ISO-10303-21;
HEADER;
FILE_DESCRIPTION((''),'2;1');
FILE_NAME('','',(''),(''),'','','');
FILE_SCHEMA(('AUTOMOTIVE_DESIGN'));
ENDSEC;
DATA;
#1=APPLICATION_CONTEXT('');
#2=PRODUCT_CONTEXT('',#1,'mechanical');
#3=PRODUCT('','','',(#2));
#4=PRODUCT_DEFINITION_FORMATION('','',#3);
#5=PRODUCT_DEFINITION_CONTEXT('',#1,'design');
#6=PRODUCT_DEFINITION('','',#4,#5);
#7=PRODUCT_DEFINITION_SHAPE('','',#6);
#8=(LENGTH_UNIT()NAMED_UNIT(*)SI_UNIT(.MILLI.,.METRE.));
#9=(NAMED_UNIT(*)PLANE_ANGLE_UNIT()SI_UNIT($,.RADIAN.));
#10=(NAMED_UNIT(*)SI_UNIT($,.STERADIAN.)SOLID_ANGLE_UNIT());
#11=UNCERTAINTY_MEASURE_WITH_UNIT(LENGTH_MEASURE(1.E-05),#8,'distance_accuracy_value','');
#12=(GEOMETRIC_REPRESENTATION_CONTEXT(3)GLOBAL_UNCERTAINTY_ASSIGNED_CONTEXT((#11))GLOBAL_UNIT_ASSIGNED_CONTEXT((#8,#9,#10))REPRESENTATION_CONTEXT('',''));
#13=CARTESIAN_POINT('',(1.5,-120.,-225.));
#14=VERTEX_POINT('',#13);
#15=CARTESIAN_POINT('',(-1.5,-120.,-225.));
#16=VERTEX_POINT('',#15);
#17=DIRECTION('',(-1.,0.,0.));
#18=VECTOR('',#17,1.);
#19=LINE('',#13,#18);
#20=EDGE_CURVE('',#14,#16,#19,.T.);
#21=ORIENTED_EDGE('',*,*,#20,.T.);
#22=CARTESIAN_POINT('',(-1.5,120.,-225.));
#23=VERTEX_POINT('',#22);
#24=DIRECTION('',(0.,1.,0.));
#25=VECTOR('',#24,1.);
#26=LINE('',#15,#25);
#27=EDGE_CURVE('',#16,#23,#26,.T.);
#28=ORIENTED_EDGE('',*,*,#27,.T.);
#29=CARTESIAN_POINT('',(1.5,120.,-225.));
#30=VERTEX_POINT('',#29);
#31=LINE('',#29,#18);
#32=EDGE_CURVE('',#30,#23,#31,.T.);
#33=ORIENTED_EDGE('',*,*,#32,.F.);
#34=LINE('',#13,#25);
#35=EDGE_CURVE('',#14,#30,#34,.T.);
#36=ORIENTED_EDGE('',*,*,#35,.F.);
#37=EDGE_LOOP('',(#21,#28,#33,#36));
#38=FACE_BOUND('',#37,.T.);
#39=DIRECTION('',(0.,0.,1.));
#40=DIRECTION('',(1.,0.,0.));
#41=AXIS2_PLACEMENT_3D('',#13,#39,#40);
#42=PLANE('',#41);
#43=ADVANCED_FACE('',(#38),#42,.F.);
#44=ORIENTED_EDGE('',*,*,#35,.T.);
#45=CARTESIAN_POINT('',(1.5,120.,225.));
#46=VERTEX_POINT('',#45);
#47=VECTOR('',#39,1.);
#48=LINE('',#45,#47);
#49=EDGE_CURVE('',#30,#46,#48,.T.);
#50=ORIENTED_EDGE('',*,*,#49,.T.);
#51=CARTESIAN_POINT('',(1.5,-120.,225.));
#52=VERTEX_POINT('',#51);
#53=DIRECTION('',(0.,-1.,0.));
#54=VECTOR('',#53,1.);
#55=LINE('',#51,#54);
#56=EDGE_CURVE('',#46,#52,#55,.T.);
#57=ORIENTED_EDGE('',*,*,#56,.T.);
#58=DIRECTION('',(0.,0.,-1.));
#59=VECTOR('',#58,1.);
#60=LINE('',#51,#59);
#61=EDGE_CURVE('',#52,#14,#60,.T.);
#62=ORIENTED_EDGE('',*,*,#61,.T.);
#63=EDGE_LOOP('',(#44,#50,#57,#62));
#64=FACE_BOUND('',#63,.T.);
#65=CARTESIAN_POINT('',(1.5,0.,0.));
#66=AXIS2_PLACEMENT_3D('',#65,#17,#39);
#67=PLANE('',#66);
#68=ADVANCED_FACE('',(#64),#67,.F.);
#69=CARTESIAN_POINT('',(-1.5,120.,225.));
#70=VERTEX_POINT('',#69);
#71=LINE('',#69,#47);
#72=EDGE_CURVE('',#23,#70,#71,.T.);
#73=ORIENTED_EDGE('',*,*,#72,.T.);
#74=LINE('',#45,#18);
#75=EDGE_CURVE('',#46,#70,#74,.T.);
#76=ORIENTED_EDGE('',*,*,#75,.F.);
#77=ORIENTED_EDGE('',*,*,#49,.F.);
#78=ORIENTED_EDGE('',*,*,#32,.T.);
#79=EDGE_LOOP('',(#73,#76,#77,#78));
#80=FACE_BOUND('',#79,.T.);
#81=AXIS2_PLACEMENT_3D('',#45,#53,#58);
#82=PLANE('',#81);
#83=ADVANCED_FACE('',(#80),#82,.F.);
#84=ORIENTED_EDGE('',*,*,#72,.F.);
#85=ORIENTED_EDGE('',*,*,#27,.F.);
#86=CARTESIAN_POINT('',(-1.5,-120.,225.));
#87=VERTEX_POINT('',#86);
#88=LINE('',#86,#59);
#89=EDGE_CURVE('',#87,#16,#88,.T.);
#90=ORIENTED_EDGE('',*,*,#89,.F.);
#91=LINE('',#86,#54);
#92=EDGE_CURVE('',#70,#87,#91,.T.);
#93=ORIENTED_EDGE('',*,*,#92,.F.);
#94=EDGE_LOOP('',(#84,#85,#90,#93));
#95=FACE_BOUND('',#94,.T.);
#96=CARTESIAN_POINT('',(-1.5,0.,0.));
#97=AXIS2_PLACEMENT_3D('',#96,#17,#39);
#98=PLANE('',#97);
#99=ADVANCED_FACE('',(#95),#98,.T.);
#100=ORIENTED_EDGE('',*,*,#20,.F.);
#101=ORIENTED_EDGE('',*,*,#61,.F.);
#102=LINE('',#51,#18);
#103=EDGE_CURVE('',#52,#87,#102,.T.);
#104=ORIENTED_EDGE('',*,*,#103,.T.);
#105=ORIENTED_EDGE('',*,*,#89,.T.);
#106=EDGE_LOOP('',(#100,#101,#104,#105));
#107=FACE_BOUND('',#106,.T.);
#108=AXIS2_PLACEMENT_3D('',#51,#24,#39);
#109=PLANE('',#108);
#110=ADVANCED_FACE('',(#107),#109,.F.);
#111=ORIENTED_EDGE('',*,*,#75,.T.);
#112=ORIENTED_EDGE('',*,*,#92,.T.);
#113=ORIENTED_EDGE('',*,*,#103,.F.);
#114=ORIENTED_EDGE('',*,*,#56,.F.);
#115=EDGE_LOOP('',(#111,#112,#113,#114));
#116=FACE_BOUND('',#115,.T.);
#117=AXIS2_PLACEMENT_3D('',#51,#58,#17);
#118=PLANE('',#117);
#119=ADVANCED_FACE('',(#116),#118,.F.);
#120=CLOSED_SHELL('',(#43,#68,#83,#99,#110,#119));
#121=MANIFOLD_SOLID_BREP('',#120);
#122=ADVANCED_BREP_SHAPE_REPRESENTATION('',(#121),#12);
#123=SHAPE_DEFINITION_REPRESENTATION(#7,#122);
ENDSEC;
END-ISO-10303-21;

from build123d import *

# Parameters (mm, degrees)
SKETCH1_W           = 450
SKETCH1_H           = 240
BOSS_EXTRUDE1_DEPTH = 1.5


with BuildPart() as part:
    # Sketch1 → Boss-Extrude1 (new body, symmetric)
    with BuildSketch(Plane(origin=(0, 0, 0), x_dir=(0, 0, -1), z_dir=(1, 0, 0))):
        Rectangle(SKETCH1_W, SKETCH1_H)
    extrude(amount=BOSS_EXTRUDE1_DEPTH, both=True)


solid = part.part
